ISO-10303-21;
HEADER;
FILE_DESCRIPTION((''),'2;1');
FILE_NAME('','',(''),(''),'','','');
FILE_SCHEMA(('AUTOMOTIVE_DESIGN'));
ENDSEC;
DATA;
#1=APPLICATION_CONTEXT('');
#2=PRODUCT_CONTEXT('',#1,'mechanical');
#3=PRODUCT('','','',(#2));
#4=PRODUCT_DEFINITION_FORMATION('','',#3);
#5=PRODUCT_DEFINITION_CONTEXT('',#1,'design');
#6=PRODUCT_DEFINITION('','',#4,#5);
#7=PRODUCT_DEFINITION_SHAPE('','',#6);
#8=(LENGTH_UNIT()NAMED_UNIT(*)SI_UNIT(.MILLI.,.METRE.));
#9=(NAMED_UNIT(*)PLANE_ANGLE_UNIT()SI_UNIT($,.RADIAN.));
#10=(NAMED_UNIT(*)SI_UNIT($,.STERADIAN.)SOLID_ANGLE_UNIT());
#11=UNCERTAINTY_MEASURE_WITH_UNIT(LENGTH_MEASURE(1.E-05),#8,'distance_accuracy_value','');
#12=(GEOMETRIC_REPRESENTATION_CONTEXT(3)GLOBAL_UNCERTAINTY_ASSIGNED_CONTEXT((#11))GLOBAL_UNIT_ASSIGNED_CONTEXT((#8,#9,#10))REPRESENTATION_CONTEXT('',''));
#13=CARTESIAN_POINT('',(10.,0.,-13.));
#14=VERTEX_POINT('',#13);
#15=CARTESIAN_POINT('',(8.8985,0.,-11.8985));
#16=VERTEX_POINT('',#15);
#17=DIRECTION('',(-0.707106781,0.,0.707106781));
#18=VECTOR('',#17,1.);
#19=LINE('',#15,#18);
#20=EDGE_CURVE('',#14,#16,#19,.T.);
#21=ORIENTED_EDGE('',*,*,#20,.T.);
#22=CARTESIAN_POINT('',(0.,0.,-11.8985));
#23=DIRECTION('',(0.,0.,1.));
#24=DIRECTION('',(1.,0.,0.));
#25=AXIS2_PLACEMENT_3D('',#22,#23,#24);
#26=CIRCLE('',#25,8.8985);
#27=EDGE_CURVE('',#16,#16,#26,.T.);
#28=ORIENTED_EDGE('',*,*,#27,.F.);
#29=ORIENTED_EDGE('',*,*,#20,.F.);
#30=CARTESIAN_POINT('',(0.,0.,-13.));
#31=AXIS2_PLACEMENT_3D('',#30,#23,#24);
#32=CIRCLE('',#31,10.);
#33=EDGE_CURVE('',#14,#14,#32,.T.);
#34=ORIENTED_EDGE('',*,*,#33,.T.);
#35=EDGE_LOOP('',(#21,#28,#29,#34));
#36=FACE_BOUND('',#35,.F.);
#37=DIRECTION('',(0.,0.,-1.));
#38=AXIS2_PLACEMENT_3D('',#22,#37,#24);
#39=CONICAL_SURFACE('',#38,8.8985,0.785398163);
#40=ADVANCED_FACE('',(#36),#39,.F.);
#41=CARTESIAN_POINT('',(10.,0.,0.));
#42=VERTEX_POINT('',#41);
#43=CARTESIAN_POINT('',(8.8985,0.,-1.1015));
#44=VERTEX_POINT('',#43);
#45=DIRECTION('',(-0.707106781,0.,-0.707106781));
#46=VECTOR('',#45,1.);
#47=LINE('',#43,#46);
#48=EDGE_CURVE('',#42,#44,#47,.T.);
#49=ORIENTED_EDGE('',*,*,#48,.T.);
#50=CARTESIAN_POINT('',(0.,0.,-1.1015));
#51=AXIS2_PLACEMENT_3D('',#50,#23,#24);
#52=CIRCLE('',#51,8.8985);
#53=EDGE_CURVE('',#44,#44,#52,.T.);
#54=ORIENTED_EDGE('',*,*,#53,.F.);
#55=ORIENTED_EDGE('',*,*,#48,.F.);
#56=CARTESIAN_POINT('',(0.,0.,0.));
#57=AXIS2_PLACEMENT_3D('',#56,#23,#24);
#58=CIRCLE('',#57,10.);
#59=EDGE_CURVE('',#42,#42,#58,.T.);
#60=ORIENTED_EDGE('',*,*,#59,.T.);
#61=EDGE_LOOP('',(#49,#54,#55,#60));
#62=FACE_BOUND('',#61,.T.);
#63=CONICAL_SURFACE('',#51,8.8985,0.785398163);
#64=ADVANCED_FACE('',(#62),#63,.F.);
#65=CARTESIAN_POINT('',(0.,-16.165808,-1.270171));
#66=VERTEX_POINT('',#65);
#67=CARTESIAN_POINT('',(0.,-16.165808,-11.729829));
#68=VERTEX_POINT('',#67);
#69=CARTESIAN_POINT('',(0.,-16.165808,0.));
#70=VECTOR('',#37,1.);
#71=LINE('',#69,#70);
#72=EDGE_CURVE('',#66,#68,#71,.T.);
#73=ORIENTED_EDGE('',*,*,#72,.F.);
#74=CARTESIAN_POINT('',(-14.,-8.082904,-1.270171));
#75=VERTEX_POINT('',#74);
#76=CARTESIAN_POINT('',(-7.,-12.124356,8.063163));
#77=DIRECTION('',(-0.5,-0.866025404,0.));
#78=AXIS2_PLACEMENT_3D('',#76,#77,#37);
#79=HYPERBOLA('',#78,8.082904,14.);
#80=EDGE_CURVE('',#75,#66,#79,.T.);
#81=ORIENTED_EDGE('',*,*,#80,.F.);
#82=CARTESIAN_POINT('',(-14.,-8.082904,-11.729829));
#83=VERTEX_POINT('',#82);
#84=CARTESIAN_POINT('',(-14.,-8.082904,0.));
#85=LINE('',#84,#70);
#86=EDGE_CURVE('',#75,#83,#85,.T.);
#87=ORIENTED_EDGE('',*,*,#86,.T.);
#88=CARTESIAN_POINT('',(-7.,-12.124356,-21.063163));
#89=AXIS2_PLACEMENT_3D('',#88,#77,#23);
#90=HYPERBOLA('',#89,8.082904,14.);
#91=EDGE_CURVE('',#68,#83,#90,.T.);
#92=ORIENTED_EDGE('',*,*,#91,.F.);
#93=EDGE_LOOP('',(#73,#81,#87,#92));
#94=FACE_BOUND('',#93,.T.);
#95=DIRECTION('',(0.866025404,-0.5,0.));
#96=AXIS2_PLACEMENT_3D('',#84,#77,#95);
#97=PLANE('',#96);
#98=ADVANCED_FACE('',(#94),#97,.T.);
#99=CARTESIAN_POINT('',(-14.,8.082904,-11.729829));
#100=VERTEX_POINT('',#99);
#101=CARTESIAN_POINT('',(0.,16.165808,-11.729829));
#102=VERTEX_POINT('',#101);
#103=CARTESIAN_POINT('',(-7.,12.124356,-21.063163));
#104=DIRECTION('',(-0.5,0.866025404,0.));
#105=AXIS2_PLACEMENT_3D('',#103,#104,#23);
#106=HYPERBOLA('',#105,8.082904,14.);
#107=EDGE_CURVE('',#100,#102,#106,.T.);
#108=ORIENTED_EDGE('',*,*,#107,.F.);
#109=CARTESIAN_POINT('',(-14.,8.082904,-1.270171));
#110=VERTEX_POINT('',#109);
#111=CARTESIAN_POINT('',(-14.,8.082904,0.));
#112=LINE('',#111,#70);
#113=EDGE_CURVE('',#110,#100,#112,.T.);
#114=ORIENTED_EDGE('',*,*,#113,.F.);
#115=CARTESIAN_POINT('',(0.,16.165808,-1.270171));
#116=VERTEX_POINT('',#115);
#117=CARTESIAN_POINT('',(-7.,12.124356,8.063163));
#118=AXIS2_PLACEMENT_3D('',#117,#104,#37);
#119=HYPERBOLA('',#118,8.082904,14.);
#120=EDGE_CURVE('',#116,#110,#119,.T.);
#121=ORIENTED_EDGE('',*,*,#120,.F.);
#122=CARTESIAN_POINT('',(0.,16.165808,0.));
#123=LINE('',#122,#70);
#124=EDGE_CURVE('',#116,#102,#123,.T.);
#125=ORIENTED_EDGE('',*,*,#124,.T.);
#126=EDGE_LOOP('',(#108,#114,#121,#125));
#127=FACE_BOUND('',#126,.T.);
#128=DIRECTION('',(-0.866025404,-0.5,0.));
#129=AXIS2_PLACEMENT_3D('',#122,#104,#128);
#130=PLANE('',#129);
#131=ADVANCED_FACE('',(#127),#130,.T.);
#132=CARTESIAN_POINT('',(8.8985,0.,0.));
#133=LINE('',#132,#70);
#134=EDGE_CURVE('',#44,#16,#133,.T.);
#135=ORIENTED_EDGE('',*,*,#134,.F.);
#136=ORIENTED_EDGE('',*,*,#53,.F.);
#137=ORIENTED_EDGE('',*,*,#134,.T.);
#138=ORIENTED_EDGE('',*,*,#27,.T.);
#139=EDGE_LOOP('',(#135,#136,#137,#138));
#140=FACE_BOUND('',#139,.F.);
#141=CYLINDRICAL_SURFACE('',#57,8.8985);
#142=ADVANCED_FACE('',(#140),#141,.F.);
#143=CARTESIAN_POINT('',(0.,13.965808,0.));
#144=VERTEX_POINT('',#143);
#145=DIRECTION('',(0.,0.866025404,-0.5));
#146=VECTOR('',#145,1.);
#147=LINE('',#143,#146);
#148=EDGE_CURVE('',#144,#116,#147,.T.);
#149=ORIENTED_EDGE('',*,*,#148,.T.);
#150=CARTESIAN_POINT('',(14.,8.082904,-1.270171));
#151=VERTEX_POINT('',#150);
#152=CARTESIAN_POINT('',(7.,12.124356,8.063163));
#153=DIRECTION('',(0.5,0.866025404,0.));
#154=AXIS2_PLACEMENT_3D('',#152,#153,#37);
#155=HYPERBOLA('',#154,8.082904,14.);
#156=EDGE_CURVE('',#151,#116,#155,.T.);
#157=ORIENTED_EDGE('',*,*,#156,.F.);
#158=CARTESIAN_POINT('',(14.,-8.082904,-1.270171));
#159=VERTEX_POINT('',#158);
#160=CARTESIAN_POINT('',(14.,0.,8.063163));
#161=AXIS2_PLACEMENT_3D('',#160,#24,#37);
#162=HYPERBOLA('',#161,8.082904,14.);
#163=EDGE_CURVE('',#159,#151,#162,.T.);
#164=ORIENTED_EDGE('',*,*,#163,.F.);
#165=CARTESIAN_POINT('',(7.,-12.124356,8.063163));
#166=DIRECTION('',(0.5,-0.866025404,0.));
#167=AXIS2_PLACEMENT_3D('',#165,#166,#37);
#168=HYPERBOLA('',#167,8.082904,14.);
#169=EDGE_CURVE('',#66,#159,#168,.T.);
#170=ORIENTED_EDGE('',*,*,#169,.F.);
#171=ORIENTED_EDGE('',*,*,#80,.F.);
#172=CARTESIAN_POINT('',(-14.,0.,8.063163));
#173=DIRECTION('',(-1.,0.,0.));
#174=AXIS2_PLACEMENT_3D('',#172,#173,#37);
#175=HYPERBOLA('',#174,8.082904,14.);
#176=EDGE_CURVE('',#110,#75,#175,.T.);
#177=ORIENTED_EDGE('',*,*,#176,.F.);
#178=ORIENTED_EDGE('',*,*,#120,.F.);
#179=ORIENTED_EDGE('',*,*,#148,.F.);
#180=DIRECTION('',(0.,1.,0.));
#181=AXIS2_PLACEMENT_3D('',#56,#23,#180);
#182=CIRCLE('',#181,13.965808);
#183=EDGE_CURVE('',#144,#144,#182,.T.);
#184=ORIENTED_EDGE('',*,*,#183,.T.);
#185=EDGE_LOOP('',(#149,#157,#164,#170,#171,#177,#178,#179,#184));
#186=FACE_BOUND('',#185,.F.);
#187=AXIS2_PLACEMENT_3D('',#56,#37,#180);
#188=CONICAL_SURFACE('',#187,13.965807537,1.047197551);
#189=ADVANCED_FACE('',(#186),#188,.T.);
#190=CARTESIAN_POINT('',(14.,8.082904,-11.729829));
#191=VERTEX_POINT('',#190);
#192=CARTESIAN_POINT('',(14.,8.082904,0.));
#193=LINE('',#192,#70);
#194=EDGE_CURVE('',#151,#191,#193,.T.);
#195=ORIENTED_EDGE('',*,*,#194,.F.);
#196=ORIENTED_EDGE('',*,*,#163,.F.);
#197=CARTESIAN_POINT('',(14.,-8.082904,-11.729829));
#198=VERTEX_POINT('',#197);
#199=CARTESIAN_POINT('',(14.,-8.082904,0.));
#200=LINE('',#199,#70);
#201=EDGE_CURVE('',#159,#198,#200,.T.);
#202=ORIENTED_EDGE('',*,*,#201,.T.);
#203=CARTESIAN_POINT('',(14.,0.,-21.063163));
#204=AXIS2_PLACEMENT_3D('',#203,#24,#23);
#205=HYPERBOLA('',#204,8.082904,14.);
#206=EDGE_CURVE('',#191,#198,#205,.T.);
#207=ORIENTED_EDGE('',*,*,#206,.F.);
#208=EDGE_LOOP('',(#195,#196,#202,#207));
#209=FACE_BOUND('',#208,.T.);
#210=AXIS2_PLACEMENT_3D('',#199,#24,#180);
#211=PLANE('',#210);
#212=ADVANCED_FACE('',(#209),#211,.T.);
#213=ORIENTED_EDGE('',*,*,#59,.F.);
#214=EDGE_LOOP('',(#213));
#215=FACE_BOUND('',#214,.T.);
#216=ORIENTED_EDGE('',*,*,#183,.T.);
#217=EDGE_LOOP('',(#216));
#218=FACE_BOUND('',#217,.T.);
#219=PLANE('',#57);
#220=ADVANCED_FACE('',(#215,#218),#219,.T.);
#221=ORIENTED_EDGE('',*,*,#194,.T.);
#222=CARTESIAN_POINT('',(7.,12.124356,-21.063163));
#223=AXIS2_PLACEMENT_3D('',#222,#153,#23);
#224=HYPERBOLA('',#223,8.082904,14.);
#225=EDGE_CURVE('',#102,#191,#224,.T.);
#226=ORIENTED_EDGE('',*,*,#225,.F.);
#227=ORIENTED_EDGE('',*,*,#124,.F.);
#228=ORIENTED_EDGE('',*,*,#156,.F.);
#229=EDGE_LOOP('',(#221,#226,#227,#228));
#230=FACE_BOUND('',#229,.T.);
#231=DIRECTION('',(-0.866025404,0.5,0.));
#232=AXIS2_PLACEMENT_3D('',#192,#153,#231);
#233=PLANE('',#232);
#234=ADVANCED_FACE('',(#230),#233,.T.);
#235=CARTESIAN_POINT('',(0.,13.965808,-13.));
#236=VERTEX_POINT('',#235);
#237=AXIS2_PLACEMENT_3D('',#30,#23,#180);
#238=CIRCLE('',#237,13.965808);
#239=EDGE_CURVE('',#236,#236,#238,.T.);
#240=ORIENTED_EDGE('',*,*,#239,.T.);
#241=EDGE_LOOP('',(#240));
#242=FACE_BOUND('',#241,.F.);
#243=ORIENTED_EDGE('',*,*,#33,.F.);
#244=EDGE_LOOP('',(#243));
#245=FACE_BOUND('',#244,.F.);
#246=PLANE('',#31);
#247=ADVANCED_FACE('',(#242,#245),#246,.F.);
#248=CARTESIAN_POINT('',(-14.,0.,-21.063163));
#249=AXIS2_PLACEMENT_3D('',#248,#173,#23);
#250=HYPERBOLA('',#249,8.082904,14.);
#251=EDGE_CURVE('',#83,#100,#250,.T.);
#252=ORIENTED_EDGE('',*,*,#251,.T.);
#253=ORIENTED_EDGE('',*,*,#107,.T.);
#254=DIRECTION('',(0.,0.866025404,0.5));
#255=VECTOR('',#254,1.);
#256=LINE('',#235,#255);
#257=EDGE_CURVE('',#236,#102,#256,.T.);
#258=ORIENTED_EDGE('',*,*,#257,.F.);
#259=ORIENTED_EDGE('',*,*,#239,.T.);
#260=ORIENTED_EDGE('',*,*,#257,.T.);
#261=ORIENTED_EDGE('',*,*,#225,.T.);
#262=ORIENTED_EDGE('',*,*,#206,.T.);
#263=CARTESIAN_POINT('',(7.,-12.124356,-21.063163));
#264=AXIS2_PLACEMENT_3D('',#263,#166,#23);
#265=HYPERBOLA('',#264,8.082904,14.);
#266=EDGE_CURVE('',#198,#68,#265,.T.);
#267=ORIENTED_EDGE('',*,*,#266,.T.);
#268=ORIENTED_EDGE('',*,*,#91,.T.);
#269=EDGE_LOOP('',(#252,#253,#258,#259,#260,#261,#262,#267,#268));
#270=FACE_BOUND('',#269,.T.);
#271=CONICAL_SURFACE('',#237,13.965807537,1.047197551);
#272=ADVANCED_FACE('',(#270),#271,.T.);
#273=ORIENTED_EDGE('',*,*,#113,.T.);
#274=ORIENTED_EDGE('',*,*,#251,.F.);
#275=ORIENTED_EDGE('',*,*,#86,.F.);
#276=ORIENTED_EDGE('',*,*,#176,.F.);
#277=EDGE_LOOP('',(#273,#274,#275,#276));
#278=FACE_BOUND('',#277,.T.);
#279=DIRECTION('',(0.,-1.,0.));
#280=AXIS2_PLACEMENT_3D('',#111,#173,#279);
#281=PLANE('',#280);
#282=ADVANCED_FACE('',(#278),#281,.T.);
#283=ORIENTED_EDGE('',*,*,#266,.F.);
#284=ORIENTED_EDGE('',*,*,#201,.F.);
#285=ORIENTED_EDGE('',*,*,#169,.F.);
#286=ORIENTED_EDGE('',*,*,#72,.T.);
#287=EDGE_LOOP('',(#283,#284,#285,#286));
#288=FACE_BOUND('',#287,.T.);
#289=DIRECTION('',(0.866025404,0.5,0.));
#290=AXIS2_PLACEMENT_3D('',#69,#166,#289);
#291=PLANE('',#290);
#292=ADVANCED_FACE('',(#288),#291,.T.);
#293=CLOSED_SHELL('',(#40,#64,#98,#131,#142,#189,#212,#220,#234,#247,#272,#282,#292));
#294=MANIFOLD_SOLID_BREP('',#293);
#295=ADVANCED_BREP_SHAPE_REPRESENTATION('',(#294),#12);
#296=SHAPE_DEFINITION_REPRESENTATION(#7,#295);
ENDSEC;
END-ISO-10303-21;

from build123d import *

# Parameters (mm, degrees)
SKETCH_1_R      = 8.8985
EXTRUDE_1_DEPTH = 13
CHAMFER_1_SIZE  = 1.1015


with BuildPart() as part:
    # Эскиз1 → Бобышка-Вытянуть1 (new body)
    with BuildSketch(Plane.XY):
        Polygon((0, 16.165807537), (-14, 8.082903769), (-14, -8.082903769), (0, -16.165807537), (14, -8.082903769), (14, 8.082903769), align=None)
        Circle(SKETCH_1_R, mode=Mode.SUBTRACT)
    extrude(amount=-EXTRUDE_1_DEPTH)

    # Эскиз2 → Вырез-Повернуть1 (revolve, cut)
    with BuildSketch(Plane(origin=(0, 0, 0), x_dir=(0, 0, -1), z_dir=(1, 0, 0))):
        Polygon((0, 13.965807537), (5.773502692, 23.965807537), (0, 23.965807537), align=None)
        Polygon((13, 23.965807537), (13, 13.965807537), (7.226497308, 23.965807537), align=None)
    revolve(axis=Axis((0, 0, 0), (0, 0, 1)), mode=Mode.SUBTRACT)

    # Фаска1
    chamfer_1_edges = [part.edges().sort_by_distance(p)[0] for p in [
        (-8.8985, 0, -13),
        (-8.8985, 0, 0),
    ]]
    chamfer(chamfer_1_edges, length=CHAMFER_1_SIZE)


solid = part.part
